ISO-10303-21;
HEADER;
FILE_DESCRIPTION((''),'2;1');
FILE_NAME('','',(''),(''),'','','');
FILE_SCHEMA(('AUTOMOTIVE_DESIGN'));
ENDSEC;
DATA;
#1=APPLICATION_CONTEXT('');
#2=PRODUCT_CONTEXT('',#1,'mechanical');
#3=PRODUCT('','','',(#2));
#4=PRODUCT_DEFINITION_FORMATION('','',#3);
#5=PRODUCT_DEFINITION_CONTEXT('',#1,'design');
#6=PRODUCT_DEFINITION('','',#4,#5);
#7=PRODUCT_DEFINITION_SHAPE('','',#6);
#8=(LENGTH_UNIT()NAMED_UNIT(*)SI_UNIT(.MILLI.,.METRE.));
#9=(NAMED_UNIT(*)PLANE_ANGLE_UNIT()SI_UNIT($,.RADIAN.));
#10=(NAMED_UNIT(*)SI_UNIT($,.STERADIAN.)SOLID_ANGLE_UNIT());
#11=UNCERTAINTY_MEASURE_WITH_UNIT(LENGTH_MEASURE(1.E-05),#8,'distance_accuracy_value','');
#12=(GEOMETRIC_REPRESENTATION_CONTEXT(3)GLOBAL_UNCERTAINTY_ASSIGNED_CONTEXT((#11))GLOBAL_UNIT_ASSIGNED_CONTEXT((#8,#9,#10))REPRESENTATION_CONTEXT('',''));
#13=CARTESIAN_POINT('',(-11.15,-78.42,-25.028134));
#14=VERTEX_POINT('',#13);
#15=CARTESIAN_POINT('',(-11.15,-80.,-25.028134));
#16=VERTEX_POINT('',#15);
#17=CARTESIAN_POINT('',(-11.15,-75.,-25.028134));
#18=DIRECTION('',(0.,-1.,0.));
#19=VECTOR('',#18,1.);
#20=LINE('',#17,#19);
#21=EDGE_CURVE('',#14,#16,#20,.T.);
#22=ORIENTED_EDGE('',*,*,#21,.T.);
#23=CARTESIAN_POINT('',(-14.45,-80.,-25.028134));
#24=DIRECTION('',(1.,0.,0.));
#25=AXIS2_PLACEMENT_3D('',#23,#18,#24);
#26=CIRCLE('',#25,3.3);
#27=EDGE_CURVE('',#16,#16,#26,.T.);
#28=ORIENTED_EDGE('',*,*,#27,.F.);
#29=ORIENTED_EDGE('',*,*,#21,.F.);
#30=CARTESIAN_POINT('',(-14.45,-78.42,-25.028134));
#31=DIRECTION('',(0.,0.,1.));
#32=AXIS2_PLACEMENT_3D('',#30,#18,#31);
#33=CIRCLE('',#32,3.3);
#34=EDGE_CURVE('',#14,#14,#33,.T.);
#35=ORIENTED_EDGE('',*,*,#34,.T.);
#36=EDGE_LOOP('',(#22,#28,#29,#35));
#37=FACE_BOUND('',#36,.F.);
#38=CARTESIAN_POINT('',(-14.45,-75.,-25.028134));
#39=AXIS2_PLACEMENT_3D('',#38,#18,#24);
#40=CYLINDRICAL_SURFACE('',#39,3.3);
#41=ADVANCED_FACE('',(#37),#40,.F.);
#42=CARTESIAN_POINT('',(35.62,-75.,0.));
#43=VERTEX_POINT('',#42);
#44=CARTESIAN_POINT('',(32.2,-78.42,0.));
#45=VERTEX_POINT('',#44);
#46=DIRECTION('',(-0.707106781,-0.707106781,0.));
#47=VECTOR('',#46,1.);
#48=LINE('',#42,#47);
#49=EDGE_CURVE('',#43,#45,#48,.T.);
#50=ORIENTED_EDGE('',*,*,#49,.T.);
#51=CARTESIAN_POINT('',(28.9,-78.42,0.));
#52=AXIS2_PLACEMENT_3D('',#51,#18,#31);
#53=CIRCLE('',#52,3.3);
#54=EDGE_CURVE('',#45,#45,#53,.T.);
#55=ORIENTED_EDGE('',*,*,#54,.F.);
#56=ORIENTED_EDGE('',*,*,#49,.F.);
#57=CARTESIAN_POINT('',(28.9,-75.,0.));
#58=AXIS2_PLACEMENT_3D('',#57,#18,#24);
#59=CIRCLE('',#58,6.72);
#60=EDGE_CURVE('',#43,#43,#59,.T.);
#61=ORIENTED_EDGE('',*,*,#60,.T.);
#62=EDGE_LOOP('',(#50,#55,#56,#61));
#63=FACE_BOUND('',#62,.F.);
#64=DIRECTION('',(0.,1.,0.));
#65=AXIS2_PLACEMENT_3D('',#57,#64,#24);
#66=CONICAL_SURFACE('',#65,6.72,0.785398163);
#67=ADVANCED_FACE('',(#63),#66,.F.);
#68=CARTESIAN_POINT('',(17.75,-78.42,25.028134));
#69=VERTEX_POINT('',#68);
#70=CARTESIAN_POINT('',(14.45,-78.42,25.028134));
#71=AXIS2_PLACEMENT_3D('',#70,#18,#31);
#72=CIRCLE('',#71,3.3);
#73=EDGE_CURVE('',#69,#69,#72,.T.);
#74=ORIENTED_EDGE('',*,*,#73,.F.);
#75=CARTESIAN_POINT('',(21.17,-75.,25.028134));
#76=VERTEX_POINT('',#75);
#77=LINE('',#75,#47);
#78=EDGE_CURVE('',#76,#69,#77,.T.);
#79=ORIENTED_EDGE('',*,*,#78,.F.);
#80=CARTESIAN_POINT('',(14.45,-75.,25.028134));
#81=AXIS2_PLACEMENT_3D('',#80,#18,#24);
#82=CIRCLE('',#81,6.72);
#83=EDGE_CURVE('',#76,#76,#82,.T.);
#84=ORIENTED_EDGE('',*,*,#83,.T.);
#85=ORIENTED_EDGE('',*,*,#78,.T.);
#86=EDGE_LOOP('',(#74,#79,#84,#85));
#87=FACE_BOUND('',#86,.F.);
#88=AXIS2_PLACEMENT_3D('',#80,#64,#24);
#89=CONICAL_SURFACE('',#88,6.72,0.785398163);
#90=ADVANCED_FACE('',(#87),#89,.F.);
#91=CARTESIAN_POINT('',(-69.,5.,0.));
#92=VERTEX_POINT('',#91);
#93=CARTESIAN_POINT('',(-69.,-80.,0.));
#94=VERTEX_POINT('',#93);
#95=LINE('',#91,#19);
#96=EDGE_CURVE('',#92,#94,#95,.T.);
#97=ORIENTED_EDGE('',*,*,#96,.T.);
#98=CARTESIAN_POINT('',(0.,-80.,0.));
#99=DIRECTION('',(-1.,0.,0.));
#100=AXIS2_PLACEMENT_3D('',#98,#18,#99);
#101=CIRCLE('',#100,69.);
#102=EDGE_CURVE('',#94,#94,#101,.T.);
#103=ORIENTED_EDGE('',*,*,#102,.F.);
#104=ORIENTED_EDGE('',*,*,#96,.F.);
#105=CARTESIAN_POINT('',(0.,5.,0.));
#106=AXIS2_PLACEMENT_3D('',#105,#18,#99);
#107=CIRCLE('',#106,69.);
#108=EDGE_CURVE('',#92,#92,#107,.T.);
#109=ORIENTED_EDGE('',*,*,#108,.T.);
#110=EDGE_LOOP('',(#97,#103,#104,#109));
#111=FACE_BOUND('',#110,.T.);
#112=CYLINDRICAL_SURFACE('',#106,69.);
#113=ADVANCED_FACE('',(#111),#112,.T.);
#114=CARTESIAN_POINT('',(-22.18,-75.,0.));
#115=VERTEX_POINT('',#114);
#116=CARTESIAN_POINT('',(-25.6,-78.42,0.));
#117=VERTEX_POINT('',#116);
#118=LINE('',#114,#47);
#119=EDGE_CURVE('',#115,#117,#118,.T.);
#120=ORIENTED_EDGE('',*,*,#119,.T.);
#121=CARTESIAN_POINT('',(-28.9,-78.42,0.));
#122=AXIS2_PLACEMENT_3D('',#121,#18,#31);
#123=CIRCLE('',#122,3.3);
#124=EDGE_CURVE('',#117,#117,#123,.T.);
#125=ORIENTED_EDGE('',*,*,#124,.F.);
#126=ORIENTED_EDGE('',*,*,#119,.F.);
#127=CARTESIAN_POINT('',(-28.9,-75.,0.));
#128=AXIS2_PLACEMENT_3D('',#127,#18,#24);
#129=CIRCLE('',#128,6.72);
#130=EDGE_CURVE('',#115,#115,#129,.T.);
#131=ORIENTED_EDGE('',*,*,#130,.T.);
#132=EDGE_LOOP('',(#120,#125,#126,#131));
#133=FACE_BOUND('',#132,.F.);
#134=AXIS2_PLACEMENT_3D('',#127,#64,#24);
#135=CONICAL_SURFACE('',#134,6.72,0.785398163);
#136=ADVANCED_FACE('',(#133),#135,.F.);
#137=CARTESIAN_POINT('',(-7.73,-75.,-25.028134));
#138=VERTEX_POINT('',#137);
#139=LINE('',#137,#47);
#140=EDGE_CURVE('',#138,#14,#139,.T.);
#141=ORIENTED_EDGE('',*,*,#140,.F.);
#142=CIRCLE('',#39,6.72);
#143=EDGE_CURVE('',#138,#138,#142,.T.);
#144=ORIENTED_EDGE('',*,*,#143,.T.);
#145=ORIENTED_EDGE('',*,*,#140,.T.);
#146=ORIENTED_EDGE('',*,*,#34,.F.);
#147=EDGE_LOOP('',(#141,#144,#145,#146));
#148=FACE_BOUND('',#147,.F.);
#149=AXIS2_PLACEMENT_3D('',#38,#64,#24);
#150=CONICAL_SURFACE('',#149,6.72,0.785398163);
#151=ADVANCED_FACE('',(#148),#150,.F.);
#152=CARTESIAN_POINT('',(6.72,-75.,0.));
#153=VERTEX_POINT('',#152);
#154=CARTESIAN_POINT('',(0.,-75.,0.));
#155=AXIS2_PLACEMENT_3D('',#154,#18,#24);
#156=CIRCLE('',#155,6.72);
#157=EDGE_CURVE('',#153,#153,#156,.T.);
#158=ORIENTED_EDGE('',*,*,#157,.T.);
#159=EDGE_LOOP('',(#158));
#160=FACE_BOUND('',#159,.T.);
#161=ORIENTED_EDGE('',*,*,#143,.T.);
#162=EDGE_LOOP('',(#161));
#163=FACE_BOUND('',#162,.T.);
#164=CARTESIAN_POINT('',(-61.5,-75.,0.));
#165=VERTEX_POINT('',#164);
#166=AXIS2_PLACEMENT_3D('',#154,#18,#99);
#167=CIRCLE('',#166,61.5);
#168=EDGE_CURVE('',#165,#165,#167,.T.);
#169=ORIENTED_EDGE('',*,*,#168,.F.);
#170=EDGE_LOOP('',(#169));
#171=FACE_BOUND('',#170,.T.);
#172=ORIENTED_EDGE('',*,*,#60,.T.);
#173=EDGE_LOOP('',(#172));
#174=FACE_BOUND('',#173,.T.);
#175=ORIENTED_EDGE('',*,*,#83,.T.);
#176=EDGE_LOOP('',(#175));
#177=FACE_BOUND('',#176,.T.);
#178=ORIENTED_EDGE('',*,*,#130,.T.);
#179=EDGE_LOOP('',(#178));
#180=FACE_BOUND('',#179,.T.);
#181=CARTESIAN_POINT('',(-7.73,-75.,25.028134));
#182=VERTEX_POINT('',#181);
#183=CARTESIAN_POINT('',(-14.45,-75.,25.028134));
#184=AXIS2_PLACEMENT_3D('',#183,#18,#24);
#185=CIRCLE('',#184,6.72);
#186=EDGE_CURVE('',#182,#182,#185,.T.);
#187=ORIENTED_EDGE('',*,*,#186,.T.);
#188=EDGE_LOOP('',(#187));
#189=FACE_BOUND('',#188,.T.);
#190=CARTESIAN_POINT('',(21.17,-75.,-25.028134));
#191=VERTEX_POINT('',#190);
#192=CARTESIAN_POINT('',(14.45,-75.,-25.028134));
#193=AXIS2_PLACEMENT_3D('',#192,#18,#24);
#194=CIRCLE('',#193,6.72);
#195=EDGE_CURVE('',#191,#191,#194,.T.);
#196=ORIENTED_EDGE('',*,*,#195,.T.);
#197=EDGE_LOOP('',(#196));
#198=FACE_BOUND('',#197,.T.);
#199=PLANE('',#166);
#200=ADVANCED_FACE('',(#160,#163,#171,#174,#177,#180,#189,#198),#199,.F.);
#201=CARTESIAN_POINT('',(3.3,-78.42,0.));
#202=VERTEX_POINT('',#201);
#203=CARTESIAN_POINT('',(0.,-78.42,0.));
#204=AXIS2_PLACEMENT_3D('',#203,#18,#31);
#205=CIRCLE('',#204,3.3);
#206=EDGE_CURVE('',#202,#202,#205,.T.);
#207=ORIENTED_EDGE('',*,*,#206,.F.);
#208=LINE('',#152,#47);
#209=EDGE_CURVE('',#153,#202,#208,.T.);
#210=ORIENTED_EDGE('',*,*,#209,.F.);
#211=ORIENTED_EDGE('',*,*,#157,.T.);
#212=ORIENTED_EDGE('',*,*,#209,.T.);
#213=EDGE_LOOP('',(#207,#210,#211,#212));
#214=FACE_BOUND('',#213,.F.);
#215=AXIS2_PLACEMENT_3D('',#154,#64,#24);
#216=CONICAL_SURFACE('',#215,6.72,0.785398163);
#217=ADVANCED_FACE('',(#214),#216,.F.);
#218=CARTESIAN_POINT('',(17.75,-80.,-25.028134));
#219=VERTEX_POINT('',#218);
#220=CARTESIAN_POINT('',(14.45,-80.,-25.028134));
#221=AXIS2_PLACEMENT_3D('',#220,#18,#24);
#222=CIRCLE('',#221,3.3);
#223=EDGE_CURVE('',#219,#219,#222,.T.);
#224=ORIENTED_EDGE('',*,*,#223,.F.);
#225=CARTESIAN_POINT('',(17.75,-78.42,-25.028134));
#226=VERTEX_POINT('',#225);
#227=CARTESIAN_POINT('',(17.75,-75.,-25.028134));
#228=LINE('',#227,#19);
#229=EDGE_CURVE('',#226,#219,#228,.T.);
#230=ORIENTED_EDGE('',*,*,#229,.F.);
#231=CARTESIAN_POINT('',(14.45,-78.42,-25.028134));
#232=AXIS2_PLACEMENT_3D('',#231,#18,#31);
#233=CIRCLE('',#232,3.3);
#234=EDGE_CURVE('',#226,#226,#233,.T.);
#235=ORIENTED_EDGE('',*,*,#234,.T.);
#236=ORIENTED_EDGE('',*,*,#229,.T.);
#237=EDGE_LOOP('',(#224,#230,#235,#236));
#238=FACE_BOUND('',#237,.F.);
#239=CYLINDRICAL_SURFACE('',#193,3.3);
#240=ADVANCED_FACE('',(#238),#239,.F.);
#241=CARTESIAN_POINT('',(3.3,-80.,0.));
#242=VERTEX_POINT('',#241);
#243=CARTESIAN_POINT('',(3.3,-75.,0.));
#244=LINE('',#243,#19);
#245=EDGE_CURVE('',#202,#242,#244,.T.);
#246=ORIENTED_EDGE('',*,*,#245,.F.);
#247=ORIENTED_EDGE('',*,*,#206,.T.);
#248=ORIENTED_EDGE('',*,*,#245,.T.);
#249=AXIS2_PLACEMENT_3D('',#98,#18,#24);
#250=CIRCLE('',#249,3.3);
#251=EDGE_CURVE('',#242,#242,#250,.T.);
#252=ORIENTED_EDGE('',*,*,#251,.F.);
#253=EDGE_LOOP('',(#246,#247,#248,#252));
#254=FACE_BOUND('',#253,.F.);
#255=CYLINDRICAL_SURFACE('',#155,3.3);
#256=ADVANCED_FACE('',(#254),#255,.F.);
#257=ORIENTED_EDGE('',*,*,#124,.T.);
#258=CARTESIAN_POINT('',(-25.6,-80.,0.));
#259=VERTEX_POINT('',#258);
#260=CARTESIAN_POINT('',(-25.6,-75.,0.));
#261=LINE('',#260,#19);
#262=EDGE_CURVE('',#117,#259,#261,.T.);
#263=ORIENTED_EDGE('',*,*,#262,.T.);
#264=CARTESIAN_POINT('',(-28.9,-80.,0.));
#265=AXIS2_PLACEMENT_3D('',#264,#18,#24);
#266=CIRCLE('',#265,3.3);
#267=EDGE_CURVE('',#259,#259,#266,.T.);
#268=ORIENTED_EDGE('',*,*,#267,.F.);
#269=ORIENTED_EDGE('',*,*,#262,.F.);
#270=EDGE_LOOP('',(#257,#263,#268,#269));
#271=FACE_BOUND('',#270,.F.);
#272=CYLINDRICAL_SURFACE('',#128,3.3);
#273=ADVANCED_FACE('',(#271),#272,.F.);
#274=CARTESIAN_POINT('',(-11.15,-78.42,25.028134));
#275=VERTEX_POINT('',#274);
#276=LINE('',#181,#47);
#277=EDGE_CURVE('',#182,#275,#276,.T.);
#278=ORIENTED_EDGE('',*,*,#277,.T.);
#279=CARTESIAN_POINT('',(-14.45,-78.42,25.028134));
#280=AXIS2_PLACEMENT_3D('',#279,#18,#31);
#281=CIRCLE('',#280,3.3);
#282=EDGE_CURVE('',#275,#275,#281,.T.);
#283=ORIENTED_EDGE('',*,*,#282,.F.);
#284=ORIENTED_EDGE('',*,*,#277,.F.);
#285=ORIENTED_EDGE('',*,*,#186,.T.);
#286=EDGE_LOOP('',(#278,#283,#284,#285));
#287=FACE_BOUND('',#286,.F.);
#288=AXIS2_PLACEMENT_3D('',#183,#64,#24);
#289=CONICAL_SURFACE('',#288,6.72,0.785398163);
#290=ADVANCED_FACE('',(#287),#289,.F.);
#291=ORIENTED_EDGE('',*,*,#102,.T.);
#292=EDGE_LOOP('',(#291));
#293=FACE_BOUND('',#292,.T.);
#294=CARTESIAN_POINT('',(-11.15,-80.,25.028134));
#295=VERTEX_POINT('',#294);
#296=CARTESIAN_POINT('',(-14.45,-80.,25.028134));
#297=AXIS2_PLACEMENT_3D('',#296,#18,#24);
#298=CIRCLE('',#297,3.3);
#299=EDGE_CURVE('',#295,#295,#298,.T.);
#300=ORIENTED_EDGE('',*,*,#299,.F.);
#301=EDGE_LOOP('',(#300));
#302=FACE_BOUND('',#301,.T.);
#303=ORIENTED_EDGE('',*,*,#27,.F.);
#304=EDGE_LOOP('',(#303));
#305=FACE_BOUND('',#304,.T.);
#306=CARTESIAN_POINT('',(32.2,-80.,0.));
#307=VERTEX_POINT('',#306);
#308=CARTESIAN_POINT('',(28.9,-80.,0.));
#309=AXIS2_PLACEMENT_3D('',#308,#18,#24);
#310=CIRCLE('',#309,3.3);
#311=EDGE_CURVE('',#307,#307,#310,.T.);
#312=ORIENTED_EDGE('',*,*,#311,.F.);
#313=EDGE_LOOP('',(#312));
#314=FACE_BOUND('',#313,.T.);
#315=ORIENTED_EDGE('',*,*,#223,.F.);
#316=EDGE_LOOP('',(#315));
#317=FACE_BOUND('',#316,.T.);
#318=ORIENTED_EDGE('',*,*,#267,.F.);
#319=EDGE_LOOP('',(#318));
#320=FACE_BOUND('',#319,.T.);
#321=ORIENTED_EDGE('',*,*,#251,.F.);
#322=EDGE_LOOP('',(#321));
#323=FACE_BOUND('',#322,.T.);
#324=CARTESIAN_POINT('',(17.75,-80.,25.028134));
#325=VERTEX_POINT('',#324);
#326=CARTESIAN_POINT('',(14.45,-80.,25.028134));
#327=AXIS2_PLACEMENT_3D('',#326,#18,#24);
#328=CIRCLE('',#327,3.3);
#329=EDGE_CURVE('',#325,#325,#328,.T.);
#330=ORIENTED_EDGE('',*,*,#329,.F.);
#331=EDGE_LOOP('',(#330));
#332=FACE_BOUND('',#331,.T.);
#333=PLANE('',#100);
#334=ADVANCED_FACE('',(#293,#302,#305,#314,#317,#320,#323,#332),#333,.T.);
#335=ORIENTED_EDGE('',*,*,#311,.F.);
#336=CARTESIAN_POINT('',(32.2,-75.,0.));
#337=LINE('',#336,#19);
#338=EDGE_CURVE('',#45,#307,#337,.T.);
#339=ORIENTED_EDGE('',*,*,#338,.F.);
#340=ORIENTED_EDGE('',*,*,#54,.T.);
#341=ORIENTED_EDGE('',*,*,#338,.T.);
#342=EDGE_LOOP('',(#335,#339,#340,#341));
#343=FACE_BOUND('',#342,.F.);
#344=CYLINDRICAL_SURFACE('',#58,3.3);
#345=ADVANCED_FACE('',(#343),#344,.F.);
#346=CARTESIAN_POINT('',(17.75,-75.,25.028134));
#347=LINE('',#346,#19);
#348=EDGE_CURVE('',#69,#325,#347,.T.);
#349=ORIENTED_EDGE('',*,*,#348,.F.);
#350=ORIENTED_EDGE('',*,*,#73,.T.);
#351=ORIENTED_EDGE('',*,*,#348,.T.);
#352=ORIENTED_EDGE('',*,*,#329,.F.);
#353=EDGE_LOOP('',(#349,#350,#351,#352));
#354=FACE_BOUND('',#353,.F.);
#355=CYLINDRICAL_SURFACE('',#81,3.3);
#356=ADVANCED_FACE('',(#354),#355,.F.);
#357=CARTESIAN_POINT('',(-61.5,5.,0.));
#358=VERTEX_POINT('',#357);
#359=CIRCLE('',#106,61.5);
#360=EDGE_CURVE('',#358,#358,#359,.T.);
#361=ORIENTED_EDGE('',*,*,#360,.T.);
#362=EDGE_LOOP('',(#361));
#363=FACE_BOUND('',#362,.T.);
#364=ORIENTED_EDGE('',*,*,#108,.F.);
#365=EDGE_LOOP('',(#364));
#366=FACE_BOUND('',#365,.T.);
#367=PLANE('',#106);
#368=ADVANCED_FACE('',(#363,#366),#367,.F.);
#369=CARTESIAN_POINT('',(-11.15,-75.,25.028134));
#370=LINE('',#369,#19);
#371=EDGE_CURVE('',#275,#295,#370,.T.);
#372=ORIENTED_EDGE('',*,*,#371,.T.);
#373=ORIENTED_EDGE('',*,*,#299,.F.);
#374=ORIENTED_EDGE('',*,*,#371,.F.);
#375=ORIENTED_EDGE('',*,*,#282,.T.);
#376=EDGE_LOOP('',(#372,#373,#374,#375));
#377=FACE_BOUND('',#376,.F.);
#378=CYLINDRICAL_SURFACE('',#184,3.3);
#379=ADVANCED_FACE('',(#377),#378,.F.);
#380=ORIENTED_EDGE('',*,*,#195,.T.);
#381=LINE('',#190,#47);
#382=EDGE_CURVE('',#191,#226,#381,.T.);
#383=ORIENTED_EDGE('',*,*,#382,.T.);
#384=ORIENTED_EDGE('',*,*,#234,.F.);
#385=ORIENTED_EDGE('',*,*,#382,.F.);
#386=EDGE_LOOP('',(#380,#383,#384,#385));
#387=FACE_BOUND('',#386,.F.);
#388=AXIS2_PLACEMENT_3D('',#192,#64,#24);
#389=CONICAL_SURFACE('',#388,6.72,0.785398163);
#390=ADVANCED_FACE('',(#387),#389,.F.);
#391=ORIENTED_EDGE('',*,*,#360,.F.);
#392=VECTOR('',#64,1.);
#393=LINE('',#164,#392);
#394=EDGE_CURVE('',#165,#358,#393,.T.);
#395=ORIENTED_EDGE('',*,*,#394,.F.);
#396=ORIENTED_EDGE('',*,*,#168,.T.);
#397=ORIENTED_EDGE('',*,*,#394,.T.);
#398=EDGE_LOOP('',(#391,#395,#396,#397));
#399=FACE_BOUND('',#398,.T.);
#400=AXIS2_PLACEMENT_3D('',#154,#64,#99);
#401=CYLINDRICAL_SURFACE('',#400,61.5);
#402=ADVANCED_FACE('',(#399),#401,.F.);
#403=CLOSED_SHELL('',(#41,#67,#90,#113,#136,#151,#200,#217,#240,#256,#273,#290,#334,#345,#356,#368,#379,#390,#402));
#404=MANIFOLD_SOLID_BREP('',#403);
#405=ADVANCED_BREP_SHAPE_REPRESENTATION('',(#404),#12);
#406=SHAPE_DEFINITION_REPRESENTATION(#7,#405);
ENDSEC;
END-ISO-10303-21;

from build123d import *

# Parameters (mm, degrees)
F3_D           = 6.6
F3_CSINK_D     = 13.44
F3_CSINK_ANGLE = 90


with BuildPart() as f1:
    # F0 (on Top) → F1 (revolve)
    with BuildSketch(Plane.XY):
        Polygon((-69, 5), (-69, -75), (-69, -80), (-61.5, -80), (0, -80), (0, -75), (-61.5, -75), (-61.5, 5), align=None)
    revolve(axis=Axis((0, -39.125, 0), (0, -1, 0)))

    # F3 (through all)
    with Locations(Plane(origin=(0, -75, 0), x_dir=(-1, 0, 0), z_dir=(0, 1, 0))):
        with Locations((14.45, 25.0281341694), (0, 0), (28.9, 0), (14.45, -25.0281341694), (-14.45, -25.0281341694), (-28.9, 0), (-14.45, 25.0281341694)):
            CounterSinkHole(F3_D / 2, F3_CSINK_D / 2, counter_sink_angle=F3_CSINK_ANGLE)


solid = f1.part
